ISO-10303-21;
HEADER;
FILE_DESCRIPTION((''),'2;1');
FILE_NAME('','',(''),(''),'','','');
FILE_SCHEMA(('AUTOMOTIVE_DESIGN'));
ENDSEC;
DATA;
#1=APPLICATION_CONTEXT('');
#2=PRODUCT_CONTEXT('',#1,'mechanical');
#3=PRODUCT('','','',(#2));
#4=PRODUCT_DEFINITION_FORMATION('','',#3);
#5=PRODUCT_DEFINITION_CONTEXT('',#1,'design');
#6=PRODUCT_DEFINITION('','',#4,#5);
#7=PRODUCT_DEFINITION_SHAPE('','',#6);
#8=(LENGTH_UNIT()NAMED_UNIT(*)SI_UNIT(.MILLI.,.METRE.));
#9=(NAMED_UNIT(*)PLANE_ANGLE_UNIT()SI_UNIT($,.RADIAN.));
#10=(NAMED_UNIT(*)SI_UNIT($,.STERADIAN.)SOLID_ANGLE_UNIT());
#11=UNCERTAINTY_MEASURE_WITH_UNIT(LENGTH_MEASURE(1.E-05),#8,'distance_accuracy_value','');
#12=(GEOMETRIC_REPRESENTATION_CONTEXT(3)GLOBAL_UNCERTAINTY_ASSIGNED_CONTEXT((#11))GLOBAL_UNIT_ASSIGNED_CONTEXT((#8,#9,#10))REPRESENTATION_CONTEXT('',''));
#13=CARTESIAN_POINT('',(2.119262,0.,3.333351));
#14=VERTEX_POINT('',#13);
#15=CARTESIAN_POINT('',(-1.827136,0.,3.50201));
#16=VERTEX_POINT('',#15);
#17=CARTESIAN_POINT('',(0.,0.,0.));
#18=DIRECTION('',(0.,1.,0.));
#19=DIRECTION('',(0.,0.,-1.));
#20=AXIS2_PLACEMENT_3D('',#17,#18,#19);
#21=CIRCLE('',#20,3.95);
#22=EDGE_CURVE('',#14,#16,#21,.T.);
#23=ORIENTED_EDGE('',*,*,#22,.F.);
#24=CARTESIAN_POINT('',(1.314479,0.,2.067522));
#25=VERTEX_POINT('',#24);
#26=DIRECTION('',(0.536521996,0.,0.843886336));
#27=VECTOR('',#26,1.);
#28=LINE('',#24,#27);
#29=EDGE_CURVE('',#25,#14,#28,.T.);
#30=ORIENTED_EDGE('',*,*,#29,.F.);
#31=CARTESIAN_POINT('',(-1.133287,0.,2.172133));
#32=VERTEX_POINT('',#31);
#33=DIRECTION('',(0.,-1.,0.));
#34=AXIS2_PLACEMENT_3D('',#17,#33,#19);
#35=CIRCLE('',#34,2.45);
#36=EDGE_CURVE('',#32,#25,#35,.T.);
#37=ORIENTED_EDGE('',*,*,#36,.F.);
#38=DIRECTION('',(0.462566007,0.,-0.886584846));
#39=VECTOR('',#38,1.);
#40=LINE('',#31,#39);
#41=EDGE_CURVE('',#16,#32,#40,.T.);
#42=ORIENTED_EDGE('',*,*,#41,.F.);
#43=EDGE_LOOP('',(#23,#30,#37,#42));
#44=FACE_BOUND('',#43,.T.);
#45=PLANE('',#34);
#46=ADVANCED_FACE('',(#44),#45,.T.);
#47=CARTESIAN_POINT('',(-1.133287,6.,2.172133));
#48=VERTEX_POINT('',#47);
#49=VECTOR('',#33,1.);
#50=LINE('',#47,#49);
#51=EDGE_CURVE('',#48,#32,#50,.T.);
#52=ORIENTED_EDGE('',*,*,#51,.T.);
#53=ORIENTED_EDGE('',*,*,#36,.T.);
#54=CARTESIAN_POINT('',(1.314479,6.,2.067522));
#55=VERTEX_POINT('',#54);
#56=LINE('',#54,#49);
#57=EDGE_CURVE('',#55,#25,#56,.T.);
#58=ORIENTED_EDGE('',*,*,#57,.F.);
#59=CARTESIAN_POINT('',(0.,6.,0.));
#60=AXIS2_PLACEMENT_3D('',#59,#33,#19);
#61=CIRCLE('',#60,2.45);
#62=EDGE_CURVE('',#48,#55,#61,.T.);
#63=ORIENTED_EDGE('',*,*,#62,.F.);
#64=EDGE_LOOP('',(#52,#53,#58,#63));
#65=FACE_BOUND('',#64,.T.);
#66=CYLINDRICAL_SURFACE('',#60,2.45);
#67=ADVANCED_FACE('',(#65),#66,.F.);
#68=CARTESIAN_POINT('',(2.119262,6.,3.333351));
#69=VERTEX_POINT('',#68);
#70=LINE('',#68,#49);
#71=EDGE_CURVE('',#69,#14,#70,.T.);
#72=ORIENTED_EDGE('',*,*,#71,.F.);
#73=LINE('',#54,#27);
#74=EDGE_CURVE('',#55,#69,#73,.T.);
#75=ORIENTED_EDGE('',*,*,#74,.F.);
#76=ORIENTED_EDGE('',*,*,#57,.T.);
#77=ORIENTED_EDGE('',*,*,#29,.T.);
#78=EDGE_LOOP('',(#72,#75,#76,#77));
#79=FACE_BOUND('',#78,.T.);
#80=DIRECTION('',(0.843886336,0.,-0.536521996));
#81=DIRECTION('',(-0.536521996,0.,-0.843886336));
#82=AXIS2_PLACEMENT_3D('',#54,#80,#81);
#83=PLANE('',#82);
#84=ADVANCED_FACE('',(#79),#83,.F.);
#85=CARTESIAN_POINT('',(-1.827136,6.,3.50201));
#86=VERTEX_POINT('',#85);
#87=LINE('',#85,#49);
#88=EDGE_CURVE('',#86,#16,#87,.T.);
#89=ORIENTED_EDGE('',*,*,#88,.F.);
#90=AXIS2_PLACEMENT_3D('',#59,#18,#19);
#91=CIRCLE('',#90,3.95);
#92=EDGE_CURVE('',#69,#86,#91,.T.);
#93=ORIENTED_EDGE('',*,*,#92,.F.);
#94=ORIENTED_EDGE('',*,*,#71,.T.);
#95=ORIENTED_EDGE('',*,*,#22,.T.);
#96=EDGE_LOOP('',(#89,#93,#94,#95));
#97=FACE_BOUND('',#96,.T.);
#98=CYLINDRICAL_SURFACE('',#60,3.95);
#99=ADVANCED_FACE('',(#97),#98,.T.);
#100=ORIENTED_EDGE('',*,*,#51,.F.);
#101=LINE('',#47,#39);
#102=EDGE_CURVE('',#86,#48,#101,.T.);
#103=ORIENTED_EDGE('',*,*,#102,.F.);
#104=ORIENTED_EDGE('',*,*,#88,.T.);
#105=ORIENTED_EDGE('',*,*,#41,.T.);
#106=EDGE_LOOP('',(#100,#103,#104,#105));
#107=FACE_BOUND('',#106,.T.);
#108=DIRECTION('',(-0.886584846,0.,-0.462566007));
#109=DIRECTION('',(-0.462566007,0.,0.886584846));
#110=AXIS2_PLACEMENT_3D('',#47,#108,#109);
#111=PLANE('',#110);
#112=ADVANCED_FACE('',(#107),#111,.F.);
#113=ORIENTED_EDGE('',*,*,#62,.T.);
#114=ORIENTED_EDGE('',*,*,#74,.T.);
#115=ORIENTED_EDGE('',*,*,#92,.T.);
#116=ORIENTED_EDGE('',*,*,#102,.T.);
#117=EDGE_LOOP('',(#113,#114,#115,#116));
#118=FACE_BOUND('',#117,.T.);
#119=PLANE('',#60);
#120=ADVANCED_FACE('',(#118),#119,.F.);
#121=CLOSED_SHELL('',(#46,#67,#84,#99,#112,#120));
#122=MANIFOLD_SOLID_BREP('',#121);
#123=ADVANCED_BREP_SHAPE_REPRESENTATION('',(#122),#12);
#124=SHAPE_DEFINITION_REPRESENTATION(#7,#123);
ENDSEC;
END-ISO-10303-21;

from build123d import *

# Parameters (mm, degrees)
BOSS_EXTRUDE1_DEPTH = 6


with BuildPart() as part:
    # Sketch1 → Boss-Extrude1 (new body)
    with BuildSketch(Plane(origin=(0, 0, 0), x_dir=(1, 0, 0), z_dir=(0, 1, 0))):
        with BuildLine():
            Line((-1.133286716, -2.172132873), (-1.827135726, -3.502010142))
            ThreePointArc((-1.827135726, -3.502010142), (-0.168659116, 3.946397611), (2.119261884, -3.333351026))
            Line((2.119261884, -3.333351026), (1.31447889, -2.067521523))
            ThreePointArc((1.31447889, -2.067521523), (-0.10461135, 2.447765607), (-1.133286716, -2.172132873))
        make_face()
    extrude(amount=BOSS_EXTRUDE1_DEPTH)


solid = part.part
